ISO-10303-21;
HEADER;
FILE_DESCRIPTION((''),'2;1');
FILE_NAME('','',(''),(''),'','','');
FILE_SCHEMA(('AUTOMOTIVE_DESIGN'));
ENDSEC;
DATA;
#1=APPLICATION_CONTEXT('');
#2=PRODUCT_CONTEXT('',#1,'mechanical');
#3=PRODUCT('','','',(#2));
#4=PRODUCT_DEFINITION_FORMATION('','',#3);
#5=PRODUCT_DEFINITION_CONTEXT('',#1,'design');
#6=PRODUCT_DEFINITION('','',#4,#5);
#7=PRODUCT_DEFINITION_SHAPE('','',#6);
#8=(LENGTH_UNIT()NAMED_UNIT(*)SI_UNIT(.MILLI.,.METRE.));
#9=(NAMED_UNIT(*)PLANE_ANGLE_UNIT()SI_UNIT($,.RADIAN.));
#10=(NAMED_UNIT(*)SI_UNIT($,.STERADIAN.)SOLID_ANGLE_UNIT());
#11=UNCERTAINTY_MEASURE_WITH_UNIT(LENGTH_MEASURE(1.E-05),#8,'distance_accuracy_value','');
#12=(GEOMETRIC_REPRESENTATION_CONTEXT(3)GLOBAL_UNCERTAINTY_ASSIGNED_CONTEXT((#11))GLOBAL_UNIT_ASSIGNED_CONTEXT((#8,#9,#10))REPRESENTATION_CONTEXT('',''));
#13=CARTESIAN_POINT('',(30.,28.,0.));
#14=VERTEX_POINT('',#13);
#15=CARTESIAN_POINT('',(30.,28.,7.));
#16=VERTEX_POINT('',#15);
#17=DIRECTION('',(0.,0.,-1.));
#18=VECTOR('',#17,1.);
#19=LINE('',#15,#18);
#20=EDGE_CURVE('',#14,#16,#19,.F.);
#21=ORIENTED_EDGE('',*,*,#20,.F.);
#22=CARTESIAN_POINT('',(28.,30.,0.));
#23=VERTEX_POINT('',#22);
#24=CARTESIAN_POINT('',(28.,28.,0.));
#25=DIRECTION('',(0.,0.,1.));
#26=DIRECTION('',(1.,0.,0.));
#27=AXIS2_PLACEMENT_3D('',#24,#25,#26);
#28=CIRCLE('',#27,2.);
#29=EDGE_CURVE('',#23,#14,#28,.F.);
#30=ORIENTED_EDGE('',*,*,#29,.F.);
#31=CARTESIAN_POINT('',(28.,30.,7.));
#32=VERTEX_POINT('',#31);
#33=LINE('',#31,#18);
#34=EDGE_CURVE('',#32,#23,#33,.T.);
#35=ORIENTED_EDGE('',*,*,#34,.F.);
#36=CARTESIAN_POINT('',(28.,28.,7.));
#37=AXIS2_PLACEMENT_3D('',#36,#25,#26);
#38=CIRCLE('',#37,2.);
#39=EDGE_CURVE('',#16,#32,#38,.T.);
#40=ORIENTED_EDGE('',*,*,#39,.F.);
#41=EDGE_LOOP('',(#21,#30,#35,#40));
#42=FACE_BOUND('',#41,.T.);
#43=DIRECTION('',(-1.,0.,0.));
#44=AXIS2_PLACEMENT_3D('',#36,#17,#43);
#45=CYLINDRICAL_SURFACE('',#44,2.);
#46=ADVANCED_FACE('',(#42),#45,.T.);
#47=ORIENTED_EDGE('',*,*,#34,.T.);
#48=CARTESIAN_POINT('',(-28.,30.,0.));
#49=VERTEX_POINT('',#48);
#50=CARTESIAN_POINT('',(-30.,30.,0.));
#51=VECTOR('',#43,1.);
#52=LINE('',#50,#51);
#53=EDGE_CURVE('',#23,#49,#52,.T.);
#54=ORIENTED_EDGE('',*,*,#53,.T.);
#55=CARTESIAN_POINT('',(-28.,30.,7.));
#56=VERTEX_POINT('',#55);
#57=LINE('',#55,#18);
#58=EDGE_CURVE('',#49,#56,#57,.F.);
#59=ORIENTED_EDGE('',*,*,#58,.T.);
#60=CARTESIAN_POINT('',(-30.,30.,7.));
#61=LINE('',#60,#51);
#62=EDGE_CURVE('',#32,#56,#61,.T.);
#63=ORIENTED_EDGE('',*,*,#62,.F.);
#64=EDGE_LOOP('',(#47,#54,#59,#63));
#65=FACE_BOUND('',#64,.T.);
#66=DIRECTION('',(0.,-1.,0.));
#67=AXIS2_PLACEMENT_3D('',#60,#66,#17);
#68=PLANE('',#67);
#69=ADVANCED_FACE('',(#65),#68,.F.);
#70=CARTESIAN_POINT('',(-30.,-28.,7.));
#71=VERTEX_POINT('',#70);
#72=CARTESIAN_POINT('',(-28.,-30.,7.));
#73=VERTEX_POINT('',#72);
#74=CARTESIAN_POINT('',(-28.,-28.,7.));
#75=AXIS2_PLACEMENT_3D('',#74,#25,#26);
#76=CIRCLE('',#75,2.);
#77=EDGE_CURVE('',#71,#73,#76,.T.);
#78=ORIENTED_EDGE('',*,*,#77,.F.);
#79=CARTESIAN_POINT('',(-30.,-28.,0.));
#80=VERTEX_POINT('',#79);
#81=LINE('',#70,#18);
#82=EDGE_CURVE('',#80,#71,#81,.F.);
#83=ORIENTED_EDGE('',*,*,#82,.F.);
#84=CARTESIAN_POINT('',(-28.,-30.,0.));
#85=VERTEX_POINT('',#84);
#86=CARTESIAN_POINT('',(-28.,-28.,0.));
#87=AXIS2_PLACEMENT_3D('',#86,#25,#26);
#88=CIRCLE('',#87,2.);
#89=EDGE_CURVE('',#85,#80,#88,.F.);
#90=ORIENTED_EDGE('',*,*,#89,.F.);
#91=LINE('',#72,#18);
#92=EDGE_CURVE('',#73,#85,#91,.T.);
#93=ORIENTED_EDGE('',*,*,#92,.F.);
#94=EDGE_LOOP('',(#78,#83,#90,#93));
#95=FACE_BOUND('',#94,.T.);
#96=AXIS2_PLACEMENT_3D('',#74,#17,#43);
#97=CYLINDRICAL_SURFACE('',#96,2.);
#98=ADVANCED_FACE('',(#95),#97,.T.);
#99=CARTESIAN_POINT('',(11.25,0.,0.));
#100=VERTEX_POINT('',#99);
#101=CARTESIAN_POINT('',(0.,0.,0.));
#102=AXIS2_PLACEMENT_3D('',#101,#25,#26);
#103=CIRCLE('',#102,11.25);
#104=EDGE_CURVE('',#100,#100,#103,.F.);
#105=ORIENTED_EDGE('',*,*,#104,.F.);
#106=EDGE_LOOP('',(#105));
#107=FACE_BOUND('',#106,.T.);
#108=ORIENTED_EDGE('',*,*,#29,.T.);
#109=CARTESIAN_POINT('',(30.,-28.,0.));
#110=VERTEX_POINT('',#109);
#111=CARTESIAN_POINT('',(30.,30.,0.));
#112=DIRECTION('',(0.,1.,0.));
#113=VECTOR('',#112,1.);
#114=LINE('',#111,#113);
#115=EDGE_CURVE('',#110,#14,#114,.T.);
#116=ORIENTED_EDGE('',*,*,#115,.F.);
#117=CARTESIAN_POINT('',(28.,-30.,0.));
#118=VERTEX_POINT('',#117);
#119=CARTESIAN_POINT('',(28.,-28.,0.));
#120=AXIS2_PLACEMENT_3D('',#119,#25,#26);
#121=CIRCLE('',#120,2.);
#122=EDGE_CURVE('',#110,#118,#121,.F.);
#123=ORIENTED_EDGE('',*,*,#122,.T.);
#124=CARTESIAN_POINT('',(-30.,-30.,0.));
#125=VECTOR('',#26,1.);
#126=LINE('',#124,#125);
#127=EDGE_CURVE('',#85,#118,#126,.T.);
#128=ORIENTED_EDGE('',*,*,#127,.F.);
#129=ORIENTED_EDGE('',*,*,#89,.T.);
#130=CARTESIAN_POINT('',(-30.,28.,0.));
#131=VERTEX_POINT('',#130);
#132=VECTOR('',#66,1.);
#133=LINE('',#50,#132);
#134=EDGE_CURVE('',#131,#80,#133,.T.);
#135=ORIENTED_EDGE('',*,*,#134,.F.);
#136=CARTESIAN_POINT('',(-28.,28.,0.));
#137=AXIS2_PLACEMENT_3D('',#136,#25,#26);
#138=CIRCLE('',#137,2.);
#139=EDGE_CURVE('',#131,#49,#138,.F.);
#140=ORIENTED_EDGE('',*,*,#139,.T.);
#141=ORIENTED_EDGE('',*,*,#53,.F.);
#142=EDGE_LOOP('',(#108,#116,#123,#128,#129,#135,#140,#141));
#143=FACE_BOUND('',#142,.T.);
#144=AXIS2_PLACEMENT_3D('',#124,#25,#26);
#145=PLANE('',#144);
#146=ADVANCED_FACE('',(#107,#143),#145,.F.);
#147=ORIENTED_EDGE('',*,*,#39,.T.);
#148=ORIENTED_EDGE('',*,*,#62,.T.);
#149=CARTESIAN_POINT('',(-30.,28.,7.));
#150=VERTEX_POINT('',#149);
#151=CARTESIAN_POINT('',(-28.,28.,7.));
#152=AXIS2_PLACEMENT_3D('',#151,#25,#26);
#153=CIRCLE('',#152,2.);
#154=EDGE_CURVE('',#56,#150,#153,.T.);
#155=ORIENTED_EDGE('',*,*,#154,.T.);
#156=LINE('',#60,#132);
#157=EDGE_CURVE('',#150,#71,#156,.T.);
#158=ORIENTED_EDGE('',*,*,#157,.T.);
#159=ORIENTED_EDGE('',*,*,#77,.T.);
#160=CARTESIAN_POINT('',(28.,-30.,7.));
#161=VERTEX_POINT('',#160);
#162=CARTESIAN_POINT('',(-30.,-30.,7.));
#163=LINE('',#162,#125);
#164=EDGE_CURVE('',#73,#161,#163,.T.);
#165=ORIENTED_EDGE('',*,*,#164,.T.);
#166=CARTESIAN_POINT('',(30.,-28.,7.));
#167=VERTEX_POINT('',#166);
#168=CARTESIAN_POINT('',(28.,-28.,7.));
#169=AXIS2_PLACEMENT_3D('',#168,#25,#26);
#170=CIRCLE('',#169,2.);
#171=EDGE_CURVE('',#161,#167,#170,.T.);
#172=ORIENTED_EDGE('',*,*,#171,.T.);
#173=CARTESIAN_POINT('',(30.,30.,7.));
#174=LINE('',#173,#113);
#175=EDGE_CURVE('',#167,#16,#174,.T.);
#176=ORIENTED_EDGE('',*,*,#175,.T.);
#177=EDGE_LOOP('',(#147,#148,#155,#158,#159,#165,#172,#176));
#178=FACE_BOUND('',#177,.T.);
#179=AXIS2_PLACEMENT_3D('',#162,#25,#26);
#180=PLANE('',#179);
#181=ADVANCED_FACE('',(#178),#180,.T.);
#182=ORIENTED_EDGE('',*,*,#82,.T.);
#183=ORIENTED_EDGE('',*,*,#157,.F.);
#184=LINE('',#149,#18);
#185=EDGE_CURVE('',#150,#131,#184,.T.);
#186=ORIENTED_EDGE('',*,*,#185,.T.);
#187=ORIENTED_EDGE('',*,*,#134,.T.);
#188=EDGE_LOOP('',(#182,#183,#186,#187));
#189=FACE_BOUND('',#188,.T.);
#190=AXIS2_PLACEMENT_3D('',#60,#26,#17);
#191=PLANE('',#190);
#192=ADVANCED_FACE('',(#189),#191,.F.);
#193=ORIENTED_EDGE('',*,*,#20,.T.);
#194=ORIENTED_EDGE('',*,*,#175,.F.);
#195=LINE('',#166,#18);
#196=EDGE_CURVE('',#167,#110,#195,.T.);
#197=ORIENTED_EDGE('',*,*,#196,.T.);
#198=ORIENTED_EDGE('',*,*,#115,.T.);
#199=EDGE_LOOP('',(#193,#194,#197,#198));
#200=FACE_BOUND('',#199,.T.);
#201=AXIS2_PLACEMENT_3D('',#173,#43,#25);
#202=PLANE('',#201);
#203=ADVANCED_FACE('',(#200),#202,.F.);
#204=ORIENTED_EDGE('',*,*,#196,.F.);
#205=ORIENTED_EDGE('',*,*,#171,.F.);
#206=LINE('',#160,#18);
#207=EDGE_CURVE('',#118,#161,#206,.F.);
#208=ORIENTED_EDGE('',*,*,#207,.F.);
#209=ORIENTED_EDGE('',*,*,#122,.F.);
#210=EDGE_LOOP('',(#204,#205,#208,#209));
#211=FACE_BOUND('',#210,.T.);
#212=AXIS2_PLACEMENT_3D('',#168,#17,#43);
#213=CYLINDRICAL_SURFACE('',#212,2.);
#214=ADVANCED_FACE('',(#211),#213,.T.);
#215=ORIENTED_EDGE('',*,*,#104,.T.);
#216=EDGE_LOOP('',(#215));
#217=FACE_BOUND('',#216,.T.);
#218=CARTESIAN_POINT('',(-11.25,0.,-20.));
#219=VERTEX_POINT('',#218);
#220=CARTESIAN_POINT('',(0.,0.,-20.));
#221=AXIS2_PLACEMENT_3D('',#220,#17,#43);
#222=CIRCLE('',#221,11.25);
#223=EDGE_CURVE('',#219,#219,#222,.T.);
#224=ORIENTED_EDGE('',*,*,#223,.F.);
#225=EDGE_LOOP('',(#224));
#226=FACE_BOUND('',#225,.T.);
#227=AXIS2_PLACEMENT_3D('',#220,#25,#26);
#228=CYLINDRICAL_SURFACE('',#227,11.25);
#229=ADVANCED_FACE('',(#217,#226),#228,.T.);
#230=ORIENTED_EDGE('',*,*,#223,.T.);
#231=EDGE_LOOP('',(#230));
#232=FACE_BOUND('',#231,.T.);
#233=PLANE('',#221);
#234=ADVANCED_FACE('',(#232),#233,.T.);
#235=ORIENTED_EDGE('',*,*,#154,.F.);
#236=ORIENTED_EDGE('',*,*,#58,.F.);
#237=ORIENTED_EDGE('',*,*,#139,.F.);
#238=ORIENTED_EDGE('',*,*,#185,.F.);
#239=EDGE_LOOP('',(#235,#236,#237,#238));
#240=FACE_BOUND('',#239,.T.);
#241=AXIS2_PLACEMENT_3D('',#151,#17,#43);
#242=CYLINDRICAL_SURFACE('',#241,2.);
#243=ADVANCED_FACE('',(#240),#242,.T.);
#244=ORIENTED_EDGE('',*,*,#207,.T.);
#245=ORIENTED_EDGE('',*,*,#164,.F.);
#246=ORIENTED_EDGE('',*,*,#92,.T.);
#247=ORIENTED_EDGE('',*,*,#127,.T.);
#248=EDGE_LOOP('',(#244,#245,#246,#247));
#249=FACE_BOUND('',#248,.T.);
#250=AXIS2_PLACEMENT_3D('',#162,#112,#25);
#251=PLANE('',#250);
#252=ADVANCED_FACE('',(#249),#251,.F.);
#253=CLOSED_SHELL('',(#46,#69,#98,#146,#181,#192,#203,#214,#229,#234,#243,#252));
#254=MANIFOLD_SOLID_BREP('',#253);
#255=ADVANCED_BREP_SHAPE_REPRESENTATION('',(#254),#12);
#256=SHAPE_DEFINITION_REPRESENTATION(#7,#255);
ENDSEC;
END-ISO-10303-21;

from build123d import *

# Parameters (mm, degrees)
ESQUISSE1_W          = 60
ESQUISSE1_H          = 60
BASE_EXTRUSION_DEPTH = 7
CONG_2_R             = 2
ESQUISSE14_R         = 11.25
BOSS_EXTRU_12_DEPTH  = 20


with BuildPart() as part:
    # Esquisse1 → Base-Extrusion (new body)
    with BuildSketch(Plane.XY):
        Rectangle(ESQUISSE1_W, ESQUISSE1_H)
    extrude(amount=BASE_EXTRUSION_DEPTH)

    # Congé2
    cong_2_edges = [part.edges().sort_by_distance(p)[0] for p in [
        (-30, 30, 3.5),
        (30, 30, 3.5),
        (30, -30, 3.5),
        (-30, -30, 3.5),
    ]]
    fillet(cong_2_edges, radius=CONG_2_R)

    # Esquisse14 → Boss.-Extru.12 (add)
    with BuildSketch(Plane(origin=(0, 0, 0), x_dir=(-1, 0, 0), z_dir=(0, 0, -1))):
        with Locations(Location((0, 0, 0), (0, 0, 180))):
            Circle(ESQUISSE14_R)
    extrude(amount=BOSS_EXTRU_12_DEPTH)


solid = part.part
